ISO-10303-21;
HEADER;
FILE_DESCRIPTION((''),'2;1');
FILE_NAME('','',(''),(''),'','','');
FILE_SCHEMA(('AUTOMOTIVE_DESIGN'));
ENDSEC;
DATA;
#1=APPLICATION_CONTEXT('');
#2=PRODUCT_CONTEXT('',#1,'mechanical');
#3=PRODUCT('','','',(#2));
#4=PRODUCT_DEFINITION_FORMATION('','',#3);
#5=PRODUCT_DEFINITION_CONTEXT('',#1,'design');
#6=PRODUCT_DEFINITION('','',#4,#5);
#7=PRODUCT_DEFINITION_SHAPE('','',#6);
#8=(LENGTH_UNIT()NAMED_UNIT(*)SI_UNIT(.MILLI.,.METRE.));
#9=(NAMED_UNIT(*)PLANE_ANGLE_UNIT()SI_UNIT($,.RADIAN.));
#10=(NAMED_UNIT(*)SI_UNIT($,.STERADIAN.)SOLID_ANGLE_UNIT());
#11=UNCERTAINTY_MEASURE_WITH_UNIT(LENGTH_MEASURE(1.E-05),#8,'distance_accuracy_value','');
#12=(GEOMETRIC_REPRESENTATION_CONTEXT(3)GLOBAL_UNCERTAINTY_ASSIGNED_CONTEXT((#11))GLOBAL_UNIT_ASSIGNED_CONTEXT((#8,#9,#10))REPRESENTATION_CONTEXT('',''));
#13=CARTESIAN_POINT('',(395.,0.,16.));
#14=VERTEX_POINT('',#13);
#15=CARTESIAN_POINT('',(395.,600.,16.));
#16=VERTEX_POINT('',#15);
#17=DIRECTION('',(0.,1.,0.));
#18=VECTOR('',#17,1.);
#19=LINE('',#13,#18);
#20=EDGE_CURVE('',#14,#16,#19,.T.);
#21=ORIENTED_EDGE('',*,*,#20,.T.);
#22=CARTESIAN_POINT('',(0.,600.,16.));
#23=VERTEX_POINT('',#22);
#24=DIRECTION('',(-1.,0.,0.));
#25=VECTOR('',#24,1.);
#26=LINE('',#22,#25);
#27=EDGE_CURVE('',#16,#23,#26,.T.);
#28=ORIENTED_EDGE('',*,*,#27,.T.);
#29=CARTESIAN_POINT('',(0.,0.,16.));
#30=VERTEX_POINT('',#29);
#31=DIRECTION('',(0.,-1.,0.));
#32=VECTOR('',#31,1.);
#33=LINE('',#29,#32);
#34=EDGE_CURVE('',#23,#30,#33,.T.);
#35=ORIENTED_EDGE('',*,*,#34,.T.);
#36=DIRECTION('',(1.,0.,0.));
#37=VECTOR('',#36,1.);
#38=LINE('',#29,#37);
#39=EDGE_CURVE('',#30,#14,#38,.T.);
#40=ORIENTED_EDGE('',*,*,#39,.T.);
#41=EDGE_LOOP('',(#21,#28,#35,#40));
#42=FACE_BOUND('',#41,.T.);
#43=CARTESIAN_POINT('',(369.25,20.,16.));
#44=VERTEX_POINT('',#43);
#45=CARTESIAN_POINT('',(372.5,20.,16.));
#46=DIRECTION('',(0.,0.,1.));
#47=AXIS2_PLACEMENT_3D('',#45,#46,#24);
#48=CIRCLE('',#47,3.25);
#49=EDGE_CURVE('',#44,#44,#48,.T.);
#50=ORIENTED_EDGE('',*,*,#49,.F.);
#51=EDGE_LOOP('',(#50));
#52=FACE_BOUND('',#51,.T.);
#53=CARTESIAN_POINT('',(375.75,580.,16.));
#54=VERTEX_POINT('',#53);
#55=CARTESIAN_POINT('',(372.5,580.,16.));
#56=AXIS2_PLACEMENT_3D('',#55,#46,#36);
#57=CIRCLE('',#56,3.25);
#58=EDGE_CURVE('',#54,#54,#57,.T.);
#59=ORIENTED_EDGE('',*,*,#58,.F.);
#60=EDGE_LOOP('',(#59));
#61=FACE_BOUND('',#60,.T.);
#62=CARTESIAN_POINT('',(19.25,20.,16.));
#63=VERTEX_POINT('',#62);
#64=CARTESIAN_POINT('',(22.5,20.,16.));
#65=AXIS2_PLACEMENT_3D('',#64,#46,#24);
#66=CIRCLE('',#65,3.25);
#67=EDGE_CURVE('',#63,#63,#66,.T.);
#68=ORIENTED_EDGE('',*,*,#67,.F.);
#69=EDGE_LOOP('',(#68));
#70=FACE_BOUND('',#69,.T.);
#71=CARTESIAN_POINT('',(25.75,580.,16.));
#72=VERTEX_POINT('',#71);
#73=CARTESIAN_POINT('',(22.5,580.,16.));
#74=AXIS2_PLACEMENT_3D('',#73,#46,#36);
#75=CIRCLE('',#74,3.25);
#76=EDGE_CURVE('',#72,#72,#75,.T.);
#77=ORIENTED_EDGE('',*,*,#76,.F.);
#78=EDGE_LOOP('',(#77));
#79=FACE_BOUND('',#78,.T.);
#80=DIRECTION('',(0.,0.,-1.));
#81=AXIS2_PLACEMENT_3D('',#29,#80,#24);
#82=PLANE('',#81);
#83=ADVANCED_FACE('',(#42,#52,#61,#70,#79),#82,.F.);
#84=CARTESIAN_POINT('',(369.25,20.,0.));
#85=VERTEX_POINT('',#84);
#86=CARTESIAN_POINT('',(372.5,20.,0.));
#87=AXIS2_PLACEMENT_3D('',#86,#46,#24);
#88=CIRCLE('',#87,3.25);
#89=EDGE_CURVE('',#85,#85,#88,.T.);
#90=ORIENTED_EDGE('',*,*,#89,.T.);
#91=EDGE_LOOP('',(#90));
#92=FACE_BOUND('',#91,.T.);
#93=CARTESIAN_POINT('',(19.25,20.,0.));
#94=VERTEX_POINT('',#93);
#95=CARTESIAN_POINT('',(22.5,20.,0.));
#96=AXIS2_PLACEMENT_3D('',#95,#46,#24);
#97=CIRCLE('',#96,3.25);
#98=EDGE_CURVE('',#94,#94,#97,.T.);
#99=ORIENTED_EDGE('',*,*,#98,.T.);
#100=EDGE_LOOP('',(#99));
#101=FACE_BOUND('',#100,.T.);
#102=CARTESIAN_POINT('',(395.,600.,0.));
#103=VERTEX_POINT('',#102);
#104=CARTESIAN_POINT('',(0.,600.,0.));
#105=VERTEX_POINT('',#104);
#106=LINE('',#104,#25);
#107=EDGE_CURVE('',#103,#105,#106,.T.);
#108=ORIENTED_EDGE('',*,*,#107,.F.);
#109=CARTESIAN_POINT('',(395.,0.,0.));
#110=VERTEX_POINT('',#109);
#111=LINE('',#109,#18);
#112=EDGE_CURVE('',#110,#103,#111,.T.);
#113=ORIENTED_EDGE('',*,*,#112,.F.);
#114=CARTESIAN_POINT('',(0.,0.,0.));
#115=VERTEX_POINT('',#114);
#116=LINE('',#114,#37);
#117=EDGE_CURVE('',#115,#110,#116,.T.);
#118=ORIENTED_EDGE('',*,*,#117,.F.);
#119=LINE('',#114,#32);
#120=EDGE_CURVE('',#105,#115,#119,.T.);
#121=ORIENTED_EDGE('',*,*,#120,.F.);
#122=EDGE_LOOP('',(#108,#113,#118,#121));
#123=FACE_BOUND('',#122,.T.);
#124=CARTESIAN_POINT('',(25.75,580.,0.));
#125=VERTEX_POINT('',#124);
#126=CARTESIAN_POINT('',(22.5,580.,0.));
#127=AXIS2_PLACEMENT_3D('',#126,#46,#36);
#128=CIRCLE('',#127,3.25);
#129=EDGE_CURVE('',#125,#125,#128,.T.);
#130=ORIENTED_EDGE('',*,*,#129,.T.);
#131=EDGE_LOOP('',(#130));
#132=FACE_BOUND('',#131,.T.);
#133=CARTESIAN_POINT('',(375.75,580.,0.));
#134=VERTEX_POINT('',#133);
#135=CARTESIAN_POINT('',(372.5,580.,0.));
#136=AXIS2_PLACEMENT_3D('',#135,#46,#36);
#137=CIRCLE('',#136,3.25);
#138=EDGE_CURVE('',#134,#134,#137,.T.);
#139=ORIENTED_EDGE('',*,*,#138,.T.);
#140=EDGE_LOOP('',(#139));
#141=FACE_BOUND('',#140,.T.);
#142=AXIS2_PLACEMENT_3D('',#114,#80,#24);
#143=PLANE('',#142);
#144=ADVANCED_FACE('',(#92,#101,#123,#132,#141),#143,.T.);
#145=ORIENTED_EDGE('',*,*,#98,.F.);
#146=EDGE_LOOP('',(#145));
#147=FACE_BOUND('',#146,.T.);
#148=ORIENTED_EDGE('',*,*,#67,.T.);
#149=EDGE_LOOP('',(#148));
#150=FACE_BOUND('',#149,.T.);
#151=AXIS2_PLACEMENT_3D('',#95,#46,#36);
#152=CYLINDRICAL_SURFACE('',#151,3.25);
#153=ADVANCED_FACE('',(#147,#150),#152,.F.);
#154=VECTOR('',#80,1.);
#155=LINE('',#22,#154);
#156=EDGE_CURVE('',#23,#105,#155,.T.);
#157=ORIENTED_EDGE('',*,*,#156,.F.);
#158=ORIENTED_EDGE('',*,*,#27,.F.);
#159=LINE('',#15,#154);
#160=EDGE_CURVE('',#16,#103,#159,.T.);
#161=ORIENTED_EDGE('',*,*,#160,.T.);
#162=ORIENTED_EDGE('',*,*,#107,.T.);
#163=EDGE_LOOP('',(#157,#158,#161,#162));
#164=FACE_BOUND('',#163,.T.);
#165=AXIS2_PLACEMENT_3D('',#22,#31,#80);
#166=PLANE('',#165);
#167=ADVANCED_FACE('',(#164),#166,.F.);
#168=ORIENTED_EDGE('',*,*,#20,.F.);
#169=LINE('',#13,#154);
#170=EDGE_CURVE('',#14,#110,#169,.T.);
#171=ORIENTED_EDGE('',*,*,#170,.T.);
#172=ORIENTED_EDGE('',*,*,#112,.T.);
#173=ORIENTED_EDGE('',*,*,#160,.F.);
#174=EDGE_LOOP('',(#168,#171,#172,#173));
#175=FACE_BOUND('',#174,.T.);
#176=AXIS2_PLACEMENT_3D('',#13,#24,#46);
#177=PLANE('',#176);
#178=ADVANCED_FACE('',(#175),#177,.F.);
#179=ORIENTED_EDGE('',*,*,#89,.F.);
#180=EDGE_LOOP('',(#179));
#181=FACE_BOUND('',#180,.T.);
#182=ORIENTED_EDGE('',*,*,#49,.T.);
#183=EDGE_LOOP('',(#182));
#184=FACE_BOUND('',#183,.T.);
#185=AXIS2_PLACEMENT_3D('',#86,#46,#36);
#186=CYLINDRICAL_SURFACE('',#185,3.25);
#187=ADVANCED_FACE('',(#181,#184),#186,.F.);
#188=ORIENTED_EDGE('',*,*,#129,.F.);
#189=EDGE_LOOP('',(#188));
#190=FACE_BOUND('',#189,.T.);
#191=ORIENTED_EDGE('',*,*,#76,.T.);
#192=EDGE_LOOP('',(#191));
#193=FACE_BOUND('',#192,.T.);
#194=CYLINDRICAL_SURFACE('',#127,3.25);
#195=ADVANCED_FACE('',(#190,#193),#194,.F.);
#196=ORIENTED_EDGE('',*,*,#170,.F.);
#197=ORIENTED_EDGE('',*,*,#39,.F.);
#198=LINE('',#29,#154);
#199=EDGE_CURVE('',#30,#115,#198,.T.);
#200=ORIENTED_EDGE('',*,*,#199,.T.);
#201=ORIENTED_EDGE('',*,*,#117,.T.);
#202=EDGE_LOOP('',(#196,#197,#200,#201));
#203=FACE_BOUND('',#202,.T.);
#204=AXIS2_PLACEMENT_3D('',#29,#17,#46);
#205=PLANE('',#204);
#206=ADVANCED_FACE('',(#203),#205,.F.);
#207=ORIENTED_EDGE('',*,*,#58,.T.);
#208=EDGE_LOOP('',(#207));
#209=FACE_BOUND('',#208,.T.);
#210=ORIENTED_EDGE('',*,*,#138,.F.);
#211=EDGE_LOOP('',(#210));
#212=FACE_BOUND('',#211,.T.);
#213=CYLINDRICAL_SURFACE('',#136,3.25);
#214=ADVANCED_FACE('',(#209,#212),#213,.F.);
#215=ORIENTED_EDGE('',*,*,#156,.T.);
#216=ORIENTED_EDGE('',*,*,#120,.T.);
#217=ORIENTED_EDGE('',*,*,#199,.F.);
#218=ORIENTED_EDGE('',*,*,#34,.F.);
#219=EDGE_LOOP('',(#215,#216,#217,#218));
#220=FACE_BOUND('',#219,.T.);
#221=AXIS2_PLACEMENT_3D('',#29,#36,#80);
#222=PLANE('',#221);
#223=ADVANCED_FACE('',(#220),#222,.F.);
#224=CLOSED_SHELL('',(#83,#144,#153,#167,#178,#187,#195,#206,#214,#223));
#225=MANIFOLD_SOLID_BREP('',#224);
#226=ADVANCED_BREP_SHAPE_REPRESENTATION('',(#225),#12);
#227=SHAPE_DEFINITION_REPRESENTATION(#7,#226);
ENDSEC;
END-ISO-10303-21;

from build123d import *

# Parameters (mm, degrees)
SKETCH1_W           = 395
SKETCH1_H           = 600
BOSS_EXTRUDE1_DEPTH = 16
SKETCH2_R           = 3.25
CUT_EXTRUDE1_DEPTH  = 17


with BuildPart() as part:
    # Sketch1 → Boss-Extrude1 (new body)
    with BuildSketch(Plane.XY):
        with Locations((197.5, 300)):
            Rectangle(SKETCH1_W, SKETCH1_H)
    extrude(amount=BOSS_EXTRUDE1_DEPTH)

    # Sketch2 → Cut-Extrude1 (cut, through all)
    with BuildSketch(Plane.XY.offset(16)):
        with Locations((22.5, 580)):
            Circle(SKETCH2_R)
        with Locations((372.5, 580)):
            Circle(SKETCH2_R)
        with Locations((22.5, 20)):
            Circle(SKETCH2_R)
        with Locations((372.5, 20)):
            Circle(SKETCH2_R)
    extrude(amount=-CUT_EXTRUDE1_DEPTH, mode=Mode.SUBTRACT)


solid = part.part
